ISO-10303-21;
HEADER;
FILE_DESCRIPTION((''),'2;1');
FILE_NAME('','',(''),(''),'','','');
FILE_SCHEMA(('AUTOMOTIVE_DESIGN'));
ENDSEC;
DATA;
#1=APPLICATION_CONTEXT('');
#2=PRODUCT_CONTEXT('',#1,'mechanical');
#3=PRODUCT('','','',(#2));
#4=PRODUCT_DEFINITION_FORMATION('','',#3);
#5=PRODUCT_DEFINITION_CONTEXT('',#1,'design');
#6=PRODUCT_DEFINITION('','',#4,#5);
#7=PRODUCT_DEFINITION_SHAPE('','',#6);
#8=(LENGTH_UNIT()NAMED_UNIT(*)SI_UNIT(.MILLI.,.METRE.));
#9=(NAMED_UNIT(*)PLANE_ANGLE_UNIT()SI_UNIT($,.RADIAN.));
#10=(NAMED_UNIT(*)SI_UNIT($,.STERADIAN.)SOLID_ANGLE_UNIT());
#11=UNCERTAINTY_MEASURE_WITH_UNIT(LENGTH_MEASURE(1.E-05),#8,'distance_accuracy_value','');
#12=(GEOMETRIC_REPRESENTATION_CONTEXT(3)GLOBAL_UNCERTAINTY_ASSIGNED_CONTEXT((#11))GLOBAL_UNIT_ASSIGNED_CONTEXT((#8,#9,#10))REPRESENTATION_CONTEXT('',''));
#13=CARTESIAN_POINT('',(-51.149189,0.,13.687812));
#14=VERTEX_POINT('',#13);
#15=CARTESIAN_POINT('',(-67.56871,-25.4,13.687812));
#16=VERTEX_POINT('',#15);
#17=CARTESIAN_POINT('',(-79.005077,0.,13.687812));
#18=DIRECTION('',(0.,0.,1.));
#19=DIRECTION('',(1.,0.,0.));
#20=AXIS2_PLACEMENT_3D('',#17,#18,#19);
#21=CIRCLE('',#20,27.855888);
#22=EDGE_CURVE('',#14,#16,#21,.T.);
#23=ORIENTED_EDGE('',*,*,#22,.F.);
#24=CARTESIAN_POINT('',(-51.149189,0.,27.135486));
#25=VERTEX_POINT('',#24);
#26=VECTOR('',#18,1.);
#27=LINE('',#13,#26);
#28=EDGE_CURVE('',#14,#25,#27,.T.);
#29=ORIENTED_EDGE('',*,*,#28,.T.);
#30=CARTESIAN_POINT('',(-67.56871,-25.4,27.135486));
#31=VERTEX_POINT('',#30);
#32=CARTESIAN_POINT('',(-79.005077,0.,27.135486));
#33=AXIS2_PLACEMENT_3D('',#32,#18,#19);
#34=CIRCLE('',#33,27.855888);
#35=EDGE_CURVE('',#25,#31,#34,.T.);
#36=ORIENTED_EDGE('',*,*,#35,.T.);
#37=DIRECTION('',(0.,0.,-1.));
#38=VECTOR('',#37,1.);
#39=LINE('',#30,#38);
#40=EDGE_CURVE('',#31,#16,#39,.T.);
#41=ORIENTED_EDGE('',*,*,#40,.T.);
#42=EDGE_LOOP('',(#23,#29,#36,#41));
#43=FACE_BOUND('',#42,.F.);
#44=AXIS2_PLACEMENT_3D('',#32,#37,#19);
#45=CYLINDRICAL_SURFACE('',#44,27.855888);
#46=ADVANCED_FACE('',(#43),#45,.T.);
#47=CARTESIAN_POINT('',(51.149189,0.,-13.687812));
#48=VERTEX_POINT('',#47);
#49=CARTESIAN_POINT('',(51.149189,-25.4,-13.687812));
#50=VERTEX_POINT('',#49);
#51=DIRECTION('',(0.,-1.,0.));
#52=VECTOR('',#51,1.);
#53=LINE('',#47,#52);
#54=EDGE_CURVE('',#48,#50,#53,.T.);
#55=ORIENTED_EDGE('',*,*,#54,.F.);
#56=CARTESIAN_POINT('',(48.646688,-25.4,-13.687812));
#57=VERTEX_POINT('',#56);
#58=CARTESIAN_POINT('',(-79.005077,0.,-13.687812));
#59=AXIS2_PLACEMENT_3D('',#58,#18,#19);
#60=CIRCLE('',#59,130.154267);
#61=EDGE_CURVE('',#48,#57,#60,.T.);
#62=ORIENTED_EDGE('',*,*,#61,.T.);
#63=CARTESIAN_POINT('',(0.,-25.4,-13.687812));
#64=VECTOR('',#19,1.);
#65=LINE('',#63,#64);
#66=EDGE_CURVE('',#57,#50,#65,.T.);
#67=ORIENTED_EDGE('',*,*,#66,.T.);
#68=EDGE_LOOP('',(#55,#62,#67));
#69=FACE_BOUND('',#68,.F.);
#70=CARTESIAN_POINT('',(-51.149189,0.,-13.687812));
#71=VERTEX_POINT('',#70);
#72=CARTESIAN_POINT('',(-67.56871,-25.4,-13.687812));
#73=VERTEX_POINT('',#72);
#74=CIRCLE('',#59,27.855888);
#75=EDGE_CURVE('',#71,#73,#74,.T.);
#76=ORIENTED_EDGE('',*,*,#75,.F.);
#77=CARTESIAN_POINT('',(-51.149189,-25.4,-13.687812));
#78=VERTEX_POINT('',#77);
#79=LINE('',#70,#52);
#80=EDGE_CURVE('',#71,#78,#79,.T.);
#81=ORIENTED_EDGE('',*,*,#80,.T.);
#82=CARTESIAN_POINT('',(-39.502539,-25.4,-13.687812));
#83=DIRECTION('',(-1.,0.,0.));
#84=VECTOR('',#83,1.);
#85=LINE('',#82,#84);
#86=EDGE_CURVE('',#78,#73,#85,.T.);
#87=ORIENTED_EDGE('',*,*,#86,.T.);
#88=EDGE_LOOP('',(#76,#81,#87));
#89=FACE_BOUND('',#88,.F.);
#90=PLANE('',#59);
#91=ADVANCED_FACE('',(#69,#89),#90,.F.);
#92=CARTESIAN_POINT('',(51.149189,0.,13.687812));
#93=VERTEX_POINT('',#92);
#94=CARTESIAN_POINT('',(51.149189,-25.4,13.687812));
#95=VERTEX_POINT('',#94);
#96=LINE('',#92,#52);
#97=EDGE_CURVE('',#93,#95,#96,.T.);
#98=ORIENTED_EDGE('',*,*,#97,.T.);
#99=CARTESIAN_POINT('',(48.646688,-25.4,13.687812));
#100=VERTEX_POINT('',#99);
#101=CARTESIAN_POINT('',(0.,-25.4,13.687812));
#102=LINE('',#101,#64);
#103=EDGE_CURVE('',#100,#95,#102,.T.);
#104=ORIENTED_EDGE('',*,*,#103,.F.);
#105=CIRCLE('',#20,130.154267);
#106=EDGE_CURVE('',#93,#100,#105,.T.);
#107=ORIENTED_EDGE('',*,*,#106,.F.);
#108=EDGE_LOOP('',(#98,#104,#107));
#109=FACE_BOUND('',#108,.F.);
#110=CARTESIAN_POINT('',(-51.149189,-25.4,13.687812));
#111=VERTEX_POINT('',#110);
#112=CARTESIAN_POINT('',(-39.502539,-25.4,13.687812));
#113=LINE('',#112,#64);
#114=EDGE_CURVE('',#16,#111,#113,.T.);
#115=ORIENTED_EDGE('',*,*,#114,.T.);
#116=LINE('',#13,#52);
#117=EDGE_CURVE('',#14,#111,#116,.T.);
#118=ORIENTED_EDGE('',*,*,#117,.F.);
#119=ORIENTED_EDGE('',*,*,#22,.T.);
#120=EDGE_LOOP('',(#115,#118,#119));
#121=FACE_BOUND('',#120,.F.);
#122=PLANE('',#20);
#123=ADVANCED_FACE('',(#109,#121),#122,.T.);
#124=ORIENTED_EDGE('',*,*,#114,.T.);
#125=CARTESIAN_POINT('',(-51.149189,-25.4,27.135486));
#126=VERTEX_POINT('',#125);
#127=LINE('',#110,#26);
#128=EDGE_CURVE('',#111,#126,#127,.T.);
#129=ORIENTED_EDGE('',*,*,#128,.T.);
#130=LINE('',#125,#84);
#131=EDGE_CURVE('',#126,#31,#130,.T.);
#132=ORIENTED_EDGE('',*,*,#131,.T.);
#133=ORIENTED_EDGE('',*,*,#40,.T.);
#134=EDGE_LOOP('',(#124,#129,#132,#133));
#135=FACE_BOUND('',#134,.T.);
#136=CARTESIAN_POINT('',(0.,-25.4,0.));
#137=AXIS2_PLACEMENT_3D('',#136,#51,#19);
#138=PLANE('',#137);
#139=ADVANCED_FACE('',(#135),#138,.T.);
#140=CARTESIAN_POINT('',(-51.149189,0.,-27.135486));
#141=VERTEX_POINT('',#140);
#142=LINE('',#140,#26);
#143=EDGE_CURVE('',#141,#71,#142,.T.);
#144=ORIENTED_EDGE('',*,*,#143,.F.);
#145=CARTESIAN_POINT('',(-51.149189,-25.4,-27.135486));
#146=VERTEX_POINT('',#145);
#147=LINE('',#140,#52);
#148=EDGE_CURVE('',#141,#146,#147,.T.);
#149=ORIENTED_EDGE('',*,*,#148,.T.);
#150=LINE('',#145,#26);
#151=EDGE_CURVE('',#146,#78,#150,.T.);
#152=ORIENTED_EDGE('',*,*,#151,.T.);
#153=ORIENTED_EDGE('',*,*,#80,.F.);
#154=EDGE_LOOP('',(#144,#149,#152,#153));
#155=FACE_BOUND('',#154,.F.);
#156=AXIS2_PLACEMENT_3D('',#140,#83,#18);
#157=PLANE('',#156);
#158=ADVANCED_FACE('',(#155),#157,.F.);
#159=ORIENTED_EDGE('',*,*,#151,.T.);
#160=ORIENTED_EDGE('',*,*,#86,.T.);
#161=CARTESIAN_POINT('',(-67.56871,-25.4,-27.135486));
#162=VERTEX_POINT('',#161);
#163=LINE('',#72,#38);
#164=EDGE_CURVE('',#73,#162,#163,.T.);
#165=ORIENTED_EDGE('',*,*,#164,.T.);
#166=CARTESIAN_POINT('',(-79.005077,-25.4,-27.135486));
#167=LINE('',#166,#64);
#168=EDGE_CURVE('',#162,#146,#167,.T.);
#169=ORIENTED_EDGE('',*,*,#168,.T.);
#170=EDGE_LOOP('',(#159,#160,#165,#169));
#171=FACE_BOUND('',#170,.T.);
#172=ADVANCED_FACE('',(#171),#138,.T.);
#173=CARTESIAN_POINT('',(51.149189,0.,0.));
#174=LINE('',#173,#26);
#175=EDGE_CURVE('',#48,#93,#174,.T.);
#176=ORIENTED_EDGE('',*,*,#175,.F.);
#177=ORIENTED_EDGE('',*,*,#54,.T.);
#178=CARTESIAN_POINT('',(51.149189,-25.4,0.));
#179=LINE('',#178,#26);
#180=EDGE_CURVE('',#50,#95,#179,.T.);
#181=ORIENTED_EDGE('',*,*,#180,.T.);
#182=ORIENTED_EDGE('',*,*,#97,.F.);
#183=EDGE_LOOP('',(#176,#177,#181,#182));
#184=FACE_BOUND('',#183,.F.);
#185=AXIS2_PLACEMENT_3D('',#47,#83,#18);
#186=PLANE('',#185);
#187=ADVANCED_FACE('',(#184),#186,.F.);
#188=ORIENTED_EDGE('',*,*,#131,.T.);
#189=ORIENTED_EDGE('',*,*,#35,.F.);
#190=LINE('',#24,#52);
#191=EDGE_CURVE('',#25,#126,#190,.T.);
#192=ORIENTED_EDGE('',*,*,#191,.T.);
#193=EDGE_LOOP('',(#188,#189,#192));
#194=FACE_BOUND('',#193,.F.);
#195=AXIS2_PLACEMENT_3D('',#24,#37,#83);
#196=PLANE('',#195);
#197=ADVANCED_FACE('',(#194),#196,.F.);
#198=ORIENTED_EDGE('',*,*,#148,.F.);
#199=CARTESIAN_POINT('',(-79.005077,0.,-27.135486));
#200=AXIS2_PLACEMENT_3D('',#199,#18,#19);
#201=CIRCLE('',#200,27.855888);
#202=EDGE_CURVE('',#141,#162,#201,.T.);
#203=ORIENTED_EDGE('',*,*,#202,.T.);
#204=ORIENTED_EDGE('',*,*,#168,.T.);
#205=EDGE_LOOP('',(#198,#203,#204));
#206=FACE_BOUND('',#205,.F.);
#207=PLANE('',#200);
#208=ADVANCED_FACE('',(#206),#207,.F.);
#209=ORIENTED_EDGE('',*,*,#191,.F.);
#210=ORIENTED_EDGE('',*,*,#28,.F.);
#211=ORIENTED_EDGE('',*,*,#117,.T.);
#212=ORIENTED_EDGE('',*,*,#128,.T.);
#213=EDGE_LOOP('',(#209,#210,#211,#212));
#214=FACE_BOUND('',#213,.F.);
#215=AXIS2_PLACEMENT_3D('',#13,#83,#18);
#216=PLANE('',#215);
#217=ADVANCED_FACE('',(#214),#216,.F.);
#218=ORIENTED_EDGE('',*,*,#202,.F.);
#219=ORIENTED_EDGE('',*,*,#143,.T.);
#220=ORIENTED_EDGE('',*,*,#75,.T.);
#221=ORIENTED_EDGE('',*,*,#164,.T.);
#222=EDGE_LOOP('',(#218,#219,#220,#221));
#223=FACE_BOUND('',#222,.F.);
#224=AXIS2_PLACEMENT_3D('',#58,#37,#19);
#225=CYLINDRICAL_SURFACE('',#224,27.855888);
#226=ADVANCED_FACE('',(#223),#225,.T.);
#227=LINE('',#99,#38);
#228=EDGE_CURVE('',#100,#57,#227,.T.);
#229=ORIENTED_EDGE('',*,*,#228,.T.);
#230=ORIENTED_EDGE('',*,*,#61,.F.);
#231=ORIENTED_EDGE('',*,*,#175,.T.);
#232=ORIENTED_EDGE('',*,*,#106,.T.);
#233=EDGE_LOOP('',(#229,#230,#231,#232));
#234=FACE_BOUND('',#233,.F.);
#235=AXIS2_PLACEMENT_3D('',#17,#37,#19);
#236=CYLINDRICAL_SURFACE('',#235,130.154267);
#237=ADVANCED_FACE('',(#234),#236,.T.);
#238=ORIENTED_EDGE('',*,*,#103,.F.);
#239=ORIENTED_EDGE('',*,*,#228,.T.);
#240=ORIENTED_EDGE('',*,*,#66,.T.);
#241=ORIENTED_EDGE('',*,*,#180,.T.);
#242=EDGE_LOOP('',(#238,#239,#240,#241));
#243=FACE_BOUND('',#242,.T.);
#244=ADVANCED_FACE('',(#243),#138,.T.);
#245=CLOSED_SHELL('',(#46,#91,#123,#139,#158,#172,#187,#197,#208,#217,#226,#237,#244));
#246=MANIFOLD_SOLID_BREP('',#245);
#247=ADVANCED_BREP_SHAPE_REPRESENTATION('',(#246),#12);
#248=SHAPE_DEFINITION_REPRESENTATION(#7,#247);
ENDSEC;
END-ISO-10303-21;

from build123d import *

# Parameters (mm, degrees)
F0_W       = 102.2983789444
F0_H       = 27.3756235838
F1_DEPTH   = 25.4
F1_FACE1_W = 25.4
F1_FACE1_H = 54.2709715664


with BuildPart() as f1:
    # F0 (on Front) → F1 (new body)
    with BuildSketch(Plane.XZ):
        Rectangle(F0_W, F0_H)
        Polygon((-51.1491894722, -13.6878117919), (-51.1491894722, 13.6878117919), (-51.1491894722, 27.1354857832), (-79.0050774813, 27.1354857832), (-79.0050774813, -27.1354857832), (-51.1491894722, -27.1354857832), align=None)
    extrude(amount=F1_DEPTH)

    # F1_face (on face) + F1_face1 (on face) → F2 (revolve)
    with BuildSketch(Plane(origin=(-22.8144123867, 0, 0), x_dir=(1, 0, 0), z_dir=(0, 1, 0))):
        Polygon((73.9636018589, -13.6878117919), (73.9636018589, 13.6878117919), (-28.3347770855, 13.6878117919), (-28.3347770855, 27.1354857832), (-56.1906650945, 27.1354857832), (-56.1906650945, -27.1354857832), (-28.3347770855, -27.1354857832), (-28.3347770855, -13.6878117919), align=None)
    with BuildSketch(Plane(origin=(-79.0050774813, -12.7, 0), x_dir=(0, -1, 0), z_dir=(-1, 0, 0))):
        Rectangle(F1_FACE1_W, F1_FACE1_H)
    revolve(axis=Axis((-79.0050774813, 0, 0), (0, 0, 1)))


solid = f1.part
